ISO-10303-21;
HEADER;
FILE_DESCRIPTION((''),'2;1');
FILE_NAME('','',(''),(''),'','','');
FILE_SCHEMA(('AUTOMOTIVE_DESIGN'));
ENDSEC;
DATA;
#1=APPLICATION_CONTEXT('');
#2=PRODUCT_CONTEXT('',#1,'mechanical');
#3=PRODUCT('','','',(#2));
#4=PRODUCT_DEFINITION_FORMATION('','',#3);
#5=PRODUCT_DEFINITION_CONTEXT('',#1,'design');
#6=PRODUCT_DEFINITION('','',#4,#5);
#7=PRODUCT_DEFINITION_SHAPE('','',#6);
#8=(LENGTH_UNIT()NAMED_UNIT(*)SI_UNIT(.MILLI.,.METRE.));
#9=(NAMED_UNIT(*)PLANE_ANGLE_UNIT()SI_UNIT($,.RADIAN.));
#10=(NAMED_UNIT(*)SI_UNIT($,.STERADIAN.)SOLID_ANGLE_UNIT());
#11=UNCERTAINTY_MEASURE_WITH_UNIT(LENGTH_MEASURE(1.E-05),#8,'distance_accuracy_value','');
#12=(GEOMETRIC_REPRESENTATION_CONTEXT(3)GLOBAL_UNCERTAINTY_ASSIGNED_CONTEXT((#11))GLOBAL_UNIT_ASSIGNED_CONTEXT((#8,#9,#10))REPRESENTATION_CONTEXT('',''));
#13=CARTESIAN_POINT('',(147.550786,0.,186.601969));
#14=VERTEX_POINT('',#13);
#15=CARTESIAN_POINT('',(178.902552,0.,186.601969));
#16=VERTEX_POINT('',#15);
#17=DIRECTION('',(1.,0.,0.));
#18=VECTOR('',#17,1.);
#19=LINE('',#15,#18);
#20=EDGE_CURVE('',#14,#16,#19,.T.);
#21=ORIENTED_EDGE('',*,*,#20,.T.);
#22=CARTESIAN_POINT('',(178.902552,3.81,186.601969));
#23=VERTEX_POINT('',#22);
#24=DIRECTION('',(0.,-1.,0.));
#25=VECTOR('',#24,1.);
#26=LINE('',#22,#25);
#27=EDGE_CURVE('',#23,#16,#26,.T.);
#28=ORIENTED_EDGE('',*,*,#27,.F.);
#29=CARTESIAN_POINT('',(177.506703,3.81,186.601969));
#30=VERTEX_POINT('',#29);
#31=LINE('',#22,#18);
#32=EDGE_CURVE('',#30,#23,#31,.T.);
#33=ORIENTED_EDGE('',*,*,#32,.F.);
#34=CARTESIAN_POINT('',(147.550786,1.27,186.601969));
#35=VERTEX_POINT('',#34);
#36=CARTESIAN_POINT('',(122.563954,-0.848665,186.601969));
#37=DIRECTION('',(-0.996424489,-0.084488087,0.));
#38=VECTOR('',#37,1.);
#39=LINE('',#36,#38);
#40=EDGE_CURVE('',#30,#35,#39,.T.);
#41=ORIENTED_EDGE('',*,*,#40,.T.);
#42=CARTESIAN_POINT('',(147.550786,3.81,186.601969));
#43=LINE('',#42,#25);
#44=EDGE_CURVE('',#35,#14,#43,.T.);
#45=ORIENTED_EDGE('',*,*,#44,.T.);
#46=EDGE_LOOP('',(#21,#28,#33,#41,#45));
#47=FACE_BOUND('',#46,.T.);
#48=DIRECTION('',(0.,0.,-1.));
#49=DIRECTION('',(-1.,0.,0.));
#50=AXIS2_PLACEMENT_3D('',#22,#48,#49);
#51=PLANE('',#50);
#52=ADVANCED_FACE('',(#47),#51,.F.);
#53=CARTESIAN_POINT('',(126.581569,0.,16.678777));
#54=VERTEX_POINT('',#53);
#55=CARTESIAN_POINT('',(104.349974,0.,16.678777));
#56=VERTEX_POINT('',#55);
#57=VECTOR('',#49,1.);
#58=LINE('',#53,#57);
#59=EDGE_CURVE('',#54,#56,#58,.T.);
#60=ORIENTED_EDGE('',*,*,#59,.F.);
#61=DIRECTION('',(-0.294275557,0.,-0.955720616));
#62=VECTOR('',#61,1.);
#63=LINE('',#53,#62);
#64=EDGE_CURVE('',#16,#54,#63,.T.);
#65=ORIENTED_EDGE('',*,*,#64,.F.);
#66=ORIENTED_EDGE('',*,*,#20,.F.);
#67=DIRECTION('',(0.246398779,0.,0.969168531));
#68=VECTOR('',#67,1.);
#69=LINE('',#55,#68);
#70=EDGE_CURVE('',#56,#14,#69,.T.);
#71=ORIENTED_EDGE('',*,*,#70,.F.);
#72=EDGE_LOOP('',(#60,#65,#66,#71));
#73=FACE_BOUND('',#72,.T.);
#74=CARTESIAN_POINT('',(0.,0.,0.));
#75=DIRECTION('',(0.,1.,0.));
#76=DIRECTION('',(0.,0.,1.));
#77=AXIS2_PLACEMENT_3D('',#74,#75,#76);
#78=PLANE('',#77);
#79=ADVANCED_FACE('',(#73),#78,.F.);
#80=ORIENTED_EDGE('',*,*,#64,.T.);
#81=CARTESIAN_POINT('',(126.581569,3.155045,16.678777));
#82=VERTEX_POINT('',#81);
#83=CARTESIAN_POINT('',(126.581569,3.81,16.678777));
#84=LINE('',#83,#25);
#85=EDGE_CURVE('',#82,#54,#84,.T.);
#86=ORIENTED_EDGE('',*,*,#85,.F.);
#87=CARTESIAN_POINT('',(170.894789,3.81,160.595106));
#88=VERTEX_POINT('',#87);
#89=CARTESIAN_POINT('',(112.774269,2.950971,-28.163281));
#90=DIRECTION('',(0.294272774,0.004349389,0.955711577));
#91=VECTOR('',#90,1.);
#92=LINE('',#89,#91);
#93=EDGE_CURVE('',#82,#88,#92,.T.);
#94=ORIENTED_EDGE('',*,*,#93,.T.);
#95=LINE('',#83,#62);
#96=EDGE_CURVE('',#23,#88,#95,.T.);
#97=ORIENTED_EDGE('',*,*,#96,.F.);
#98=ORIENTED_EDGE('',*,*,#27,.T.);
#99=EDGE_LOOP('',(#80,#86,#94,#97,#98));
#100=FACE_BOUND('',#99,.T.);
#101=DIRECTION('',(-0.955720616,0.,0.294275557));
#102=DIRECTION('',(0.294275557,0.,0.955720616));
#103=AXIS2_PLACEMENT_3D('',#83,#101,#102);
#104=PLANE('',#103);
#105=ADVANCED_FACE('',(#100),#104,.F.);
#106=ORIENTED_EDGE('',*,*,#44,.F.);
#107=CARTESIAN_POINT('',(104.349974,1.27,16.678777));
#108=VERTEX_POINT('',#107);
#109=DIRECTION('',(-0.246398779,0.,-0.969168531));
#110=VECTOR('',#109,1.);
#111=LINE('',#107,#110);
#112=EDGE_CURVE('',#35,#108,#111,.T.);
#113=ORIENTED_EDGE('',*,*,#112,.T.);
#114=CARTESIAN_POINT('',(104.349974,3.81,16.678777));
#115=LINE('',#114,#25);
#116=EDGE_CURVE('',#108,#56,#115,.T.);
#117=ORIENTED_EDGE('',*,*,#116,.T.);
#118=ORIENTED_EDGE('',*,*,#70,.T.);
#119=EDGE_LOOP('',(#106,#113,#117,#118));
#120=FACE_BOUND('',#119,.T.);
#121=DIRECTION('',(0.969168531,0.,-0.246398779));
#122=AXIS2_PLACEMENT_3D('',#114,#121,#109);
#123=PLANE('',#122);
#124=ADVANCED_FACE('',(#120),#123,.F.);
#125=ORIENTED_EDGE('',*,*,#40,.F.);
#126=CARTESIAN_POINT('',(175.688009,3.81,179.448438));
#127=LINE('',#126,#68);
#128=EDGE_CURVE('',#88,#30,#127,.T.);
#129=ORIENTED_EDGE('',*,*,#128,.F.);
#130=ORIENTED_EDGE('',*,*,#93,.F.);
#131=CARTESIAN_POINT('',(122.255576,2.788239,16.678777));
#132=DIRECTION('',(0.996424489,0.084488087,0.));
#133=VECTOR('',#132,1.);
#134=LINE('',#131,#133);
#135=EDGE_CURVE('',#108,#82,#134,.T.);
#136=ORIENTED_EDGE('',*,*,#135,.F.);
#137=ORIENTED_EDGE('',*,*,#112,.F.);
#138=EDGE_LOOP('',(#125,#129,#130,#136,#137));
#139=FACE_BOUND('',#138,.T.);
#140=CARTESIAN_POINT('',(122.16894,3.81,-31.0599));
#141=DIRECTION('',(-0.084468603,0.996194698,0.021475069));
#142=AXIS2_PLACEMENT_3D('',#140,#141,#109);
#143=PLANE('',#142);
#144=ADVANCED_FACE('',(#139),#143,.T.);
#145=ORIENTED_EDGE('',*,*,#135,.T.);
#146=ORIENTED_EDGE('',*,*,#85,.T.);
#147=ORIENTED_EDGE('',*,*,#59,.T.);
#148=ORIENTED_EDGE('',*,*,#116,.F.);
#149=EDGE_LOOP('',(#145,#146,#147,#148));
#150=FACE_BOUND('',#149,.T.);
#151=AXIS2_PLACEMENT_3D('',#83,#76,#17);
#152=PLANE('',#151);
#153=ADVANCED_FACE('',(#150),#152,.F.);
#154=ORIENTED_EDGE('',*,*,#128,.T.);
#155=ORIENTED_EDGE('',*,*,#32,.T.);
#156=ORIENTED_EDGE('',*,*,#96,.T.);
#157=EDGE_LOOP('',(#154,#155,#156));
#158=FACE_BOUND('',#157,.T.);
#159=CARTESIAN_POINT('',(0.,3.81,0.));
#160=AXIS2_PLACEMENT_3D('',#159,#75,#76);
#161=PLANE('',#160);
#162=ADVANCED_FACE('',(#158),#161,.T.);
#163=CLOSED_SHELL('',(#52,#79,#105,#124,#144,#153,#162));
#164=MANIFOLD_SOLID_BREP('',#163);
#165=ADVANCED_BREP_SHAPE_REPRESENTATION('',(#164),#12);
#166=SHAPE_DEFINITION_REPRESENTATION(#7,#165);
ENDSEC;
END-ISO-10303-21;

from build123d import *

# Parameters (mm, degrees)
BOSS_EXTRUDE1_DEPTH = 3.81
CHAMFER1_SIZE       = 2.54
CHAMFER1_SIZE2      = 29.032332849


with BuildPart() as part:
    # Sketch2 → Boss-Extrude1 (new body)
    with BuildSketch(Plane(origin=(0, 0, 0), x_dir=(1, 0, 0), z_dir=(0, 1, 0))):
        Polygon((126.581568969, -16.678776649), (178.902552059, -186.601969437), (147.550785663, -186.601969437), (104.349973937, -16.678776649), align=None)
    extrude(amount=BOSS_EXTRUDE1_DEPTH)

    # Chamfer1
    chamfer1_edges = [part.edges().sort_by_distance(p)[0] for p in [
        (125.9503798, 3.81, 101.640373043),
    ]]
    chamfer1_side = [part.faces().sort_by_distance(p)[0] for p in [
        (125.9503798, 1.905, 101.640373043),
    ]]
    chamfer(chamfer1_edges, length=CHAMFER1_SIZE, length2=CHAMFER1_SIZE2, reference=chamfer1_side[0])


solid = part.part
